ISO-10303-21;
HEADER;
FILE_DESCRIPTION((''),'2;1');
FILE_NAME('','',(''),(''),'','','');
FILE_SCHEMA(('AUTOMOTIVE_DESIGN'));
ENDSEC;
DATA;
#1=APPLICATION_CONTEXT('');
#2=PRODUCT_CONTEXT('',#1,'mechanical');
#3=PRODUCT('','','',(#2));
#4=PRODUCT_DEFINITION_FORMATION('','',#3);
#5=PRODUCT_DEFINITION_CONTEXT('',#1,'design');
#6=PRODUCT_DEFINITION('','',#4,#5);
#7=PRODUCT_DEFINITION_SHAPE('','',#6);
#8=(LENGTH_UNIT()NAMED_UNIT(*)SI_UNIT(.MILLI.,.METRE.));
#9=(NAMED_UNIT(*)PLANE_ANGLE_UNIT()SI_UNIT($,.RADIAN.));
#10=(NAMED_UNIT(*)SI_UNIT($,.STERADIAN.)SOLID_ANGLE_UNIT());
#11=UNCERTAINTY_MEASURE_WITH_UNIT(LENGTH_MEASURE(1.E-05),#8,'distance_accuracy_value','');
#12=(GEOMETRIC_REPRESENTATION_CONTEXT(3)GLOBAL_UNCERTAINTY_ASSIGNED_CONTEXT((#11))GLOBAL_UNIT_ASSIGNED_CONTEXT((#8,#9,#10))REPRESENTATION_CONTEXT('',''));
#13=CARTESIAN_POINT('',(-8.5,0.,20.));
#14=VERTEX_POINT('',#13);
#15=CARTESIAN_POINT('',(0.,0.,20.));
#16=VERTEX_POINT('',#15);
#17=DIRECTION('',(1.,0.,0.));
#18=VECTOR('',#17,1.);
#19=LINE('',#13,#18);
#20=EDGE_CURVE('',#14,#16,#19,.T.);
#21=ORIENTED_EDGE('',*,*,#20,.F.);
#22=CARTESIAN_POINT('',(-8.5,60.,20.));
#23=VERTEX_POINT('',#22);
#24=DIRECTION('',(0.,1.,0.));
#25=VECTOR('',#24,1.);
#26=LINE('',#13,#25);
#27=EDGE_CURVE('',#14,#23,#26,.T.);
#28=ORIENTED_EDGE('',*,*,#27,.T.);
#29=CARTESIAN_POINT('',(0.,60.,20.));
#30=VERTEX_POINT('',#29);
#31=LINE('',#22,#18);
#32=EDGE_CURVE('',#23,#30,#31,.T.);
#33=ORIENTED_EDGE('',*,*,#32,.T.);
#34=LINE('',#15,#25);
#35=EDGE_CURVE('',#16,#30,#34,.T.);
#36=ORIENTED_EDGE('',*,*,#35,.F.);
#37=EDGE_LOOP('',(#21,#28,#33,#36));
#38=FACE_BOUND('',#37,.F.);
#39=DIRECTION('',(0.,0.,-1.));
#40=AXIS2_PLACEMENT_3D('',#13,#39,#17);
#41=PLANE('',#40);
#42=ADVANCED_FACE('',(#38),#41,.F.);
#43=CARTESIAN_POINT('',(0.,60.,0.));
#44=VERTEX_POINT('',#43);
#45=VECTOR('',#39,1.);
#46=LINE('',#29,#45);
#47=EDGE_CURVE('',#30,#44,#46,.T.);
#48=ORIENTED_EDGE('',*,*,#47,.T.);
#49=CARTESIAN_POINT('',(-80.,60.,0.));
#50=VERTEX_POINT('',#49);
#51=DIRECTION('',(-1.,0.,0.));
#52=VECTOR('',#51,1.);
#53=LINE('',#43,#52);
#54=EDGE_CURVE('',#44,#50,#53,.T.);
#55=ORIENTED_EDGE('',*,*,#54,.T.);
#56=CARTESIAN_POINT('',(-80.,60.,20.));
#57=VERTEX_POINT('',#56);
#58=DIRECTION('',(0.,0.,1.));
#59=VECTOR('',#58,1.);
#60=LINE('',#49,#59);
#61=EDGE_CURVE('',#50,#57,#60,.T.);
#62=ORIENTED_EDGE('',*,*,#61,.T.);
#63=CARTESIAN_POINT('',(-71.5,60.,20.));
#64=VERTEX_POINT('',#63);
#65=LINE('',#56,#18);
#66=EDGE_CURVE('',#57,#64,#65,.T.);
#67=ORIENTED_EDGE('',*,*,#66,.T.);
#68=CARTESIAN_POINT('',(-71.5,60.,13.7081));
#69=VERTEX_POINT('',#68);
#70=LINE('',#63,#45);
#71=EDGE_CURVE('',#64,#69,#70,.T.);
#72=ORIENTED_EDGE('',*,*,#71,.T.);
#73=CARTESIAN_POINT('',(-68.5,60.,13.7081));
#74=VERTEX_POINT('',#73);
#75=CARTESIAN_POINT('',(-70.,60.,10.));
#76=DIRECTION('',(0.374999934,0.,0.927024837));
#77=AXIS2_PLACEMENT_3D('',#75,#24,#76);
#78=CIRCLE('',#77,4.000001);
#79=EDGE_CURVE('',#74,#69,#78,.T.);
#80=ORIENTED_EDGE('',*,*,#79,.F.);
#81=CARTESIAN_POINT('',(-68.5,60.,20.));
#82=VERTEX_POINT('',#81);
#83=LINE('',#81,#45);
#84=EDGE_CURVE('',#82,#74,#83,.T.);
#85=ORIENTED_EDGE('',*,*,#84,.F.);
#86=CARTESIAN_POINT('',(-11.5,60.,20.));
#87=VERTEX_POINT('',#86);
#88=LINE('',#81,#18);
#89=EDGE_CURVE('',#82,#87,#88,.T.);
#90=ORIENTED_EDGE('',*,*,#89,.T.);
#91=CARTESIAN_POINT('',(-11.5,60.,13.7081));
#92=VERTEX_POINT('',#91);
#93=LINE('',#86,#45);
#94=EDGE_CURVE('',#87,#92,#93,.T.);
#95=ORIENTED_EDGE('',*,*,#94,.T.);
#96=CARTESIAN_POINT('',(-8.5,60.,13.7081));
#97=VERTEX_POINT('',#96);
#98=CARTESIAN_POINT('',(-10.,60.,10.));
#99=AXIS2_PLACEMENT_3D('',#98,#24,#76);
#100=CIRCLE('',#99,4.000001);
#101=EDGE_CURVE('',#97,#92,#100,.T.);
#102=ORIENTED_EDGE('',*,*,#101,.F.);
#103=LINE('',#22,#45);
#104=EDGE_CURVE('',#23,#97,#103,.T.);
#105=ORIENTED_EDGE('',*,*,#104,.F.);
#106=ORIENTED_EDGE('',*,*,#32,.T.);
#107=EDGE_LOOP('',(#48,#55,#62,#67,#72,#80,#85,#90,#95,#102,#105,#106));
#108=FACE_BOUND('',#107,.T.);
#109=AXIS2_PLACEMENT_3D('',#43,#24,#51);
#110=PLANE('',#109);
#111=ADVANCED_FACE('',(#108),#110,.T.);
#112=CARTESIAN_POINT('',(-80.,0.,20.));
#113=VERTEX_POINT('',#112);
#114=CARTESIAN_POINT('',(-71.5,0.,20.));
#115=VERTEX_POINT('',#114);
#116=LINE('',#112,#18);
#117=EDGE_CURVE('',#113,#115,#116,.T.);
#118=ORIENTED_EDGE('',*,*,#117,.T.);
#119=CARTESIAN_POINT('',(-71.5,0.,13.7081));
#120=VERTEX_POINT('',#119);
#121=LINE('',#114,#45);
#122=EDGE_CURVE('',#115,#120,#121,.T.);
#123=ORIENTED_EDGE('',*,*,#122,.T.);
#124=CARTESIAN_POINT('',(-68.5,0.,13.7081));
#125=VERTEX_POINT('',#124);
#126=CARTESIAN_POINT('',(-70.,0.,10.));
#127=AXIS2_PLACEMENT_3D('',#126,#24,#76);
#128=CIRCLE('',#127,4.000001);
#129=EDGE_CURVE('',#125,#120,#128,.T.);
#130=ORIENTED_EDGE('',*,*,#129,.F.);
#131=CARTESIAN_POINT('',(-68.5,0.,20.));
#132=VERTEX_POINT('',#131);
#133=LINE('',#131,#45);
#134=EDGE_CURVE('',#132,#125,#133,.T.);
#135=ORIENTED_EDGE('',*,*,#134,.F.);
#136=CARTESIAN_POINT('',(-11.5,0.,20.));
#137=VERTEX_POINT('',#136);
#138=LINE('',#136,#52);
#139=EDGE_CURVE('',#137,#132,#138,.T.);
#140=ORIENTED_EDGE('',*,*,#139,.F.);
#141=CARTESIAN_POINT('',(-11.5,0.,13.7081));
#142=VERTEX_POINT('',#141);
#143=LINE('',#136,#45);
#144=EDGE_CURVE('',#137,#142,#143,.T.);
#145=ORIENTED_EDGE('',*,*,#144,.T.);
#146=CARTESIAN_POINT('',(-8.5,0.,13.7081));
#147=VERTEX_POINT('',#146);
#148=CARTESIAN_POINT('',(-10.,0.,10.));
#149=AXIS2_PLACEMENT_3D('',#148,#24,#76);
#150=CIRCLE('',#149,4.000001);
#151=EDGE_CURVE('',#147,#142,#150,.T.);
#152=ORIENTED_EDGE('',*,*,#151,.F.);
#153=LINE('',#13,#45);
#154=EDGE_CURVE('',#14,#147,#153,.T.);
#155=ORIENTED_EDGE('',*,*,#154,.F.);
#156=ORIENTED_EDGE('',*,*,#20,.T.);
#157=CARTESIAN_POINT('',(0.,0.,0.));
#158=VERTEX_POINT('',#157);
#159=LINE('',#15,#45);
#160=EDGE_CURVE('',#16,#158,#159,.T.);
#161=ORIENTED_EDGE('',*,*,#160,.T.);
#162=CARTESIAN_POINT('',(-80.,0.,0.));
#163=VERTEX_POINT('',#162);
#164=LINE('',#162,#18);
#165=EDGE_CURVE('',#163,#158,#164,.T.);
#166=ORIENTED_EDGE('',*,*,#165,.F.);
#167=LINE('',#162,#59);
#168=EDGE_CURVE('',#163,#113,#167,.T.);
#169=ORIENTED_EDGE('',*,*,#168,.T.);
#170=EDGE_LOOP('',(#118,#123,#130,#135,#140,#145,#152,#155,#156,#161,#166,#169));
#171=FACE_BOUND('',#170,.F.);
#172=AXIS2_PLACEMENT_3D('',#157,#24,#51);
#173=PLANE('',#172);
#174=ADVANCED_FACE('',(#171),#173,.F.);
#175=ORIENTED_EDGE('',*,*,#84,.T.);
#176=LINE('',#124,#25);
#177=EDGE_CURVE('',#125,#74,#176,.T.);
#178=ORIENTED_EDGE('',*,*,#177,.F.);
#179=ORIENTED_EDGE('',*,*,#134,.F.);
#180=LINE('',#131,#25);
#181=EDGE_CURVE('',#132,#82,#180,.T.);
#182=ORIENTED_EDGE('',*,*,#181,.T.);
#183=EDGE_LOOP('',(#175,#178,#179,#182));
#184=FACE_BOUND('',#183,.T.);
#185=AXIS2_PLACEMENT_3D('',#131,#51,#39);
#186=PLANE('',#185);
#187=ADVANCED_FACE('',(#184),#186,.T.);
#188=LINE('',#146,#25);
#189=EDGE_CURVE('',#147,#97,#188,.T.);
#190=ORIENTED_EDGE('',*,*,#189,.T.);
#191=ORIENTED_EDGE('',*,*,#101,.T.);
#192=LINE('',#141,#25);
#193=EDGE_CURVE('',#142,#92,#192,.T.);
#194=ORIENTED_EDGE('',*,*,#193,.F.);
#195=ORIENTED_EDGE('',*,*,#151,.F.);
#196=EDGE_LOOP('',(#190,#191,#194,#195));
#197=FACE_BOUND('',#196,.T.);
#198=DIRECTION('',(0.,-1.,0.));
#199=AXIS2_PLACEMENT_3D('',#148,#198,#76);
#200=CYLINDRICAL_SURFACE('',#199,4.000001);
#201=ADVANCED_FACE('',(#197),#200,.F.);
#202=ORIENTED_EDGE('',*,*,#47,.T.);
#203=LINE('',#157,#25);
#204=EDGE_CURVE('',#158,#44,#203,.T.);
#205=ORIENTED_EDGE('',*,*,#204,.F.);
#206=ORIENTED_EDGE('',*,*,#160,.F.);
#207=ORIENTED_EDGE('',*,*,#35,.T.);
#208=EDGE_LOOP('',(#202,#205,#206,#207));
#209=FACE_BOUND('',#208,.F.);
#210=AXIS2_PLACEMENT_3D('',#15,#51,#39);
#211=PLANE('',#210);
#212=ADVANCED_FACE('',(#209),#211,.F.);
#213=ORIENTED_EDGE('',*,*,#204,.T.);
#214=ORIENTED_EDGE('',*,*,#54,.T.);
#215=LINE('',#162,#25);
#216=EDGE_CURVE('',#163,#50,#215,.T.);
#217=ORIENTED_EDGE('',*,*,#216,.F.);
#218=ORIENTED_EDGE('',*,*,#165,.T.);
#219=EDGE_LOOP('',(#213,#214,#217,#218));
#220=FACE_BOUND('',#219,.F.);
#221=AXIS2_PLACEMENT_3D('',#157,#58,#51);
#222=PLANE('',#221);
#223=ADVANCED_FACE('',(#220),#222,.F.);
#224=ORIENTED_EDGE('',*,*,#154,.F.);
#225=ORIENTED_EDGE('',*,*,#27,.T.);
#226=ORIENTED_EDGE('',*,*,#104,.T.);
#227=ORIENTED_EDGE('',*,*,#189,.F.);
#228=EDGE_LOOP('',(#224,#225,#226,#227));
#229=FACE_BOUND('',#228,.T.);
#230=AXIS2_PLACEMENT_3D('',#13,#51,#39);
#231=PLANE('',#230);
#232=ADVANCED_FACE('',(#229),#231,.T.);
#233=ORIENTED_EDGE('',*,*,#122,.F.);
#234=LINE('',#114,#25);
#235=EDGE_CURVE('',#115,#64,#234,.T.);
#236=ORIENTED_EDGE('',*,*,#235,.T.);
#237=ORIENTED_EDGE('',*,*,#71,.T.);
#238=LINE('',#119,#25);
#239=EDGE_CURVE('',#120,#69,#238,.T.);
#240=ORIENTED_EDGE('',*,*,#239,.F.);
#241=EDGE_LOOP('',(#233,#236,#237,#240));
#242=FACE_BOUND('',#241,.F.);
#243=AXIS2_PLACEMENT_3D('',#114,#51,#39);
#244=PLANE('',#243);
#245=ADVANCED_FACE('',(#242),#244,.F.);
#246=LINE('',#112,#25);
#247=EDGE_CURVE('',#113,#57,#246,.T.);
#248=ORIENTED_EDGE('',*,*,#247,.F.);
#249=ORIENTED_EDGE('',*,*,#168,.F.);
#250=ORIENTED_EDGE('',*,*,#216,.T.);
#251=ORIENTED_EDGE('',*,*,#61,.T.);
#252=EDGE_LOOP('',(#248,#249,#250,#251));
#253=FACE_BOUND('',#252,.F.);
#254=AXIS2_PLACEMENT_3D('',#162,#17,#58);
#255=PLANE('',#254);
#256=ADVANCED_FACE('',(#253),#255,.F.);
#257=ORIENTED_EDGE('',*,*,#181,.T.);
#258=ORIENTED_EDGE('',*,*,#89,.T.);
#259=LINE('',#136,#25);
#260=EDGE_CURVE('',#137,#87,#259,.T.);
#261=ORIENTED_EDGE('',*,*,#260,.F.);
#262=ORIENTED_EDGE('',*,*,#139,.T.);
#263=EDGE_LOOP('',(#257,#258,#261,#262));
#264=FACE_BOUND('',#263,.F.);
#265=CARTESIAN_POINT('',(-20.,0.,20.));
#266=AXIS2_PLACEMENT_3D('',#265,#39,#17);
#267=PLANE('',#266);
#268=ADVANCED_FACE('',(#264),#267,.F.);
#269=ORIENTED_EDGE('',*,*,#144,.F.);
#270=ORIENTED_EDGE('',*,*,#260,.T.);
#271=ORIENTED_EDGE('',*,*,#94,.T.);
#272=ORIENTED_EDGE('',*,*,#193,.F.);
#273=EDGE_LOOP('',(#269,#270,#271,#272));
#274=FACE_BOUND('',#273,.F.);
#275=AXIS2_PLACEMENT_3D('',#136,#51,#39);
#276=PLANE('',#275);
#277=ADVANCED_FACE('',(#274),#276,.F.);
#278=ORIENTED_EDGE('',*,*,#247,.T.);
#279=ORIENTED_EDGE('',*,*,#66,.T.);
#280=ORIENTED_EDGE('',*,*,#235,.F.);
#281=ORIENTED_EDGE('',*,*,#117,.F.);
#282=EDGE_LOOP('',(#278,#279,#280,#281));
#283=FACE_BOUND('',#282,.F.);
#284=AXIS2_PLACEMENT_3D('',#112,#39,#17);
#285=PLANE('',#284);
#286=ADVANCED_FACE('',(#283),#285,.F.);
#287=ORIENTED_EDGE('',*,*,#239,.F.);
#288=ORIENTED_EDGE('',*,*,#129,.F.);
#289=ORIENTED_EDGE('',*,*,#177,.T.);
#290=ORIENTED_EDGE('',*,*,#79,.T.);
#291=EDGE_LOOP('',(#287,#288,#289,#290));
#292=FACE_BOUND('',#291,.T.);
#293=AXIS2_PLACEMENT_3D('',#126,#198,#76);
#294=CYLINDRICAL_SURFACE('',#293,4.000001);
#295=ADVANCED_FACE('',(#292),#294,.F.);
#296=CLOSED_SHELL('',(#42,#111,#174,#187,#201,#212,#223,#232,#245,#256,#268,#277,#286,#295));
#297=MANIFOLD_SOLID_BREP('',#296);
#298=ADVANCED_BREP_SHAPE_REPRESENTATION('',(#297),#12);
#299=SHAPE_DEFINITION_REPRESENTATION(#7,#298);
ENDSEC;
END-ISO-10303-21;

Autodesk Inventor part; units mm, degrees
ref_plane "YZ Plane" through (0, 0, 0) normal (1, 0, 0) x (0, 1, 0)
ref_plane "XZ Plane" through (0, 0, 0) normal (0, 1, 0) x (-1, 0, 0)
ref_plane "XY Plane" through (0, 0, 0) normal (0, 0, 1) x (1, 0, 0)
sketch "Sketch1" plane through (0, 0, 0) normal (0, 1, 0) x (-1, 0, 0)
  arc A0 (8.5, 13.7081) -> (11.5, 13.7081) centre (10, 10) ccw
  line L0 (8.5, 20) -> (8.5, 13.7081)
  line L1 (11.5, 20) -> (11.5, 13.7081)
  line L2 (10, 20) -> (10, 18.7339)
  line L3 (20, 20) -> (10, 20)
  line L4 (8.5, 20) -> (0, 20)
  line L5 (0, 20) -> (0, 0)
  line L6 (0, 0) -> (20, 0)
  line L7 (20, 0) -> (20, 20)
  arc A1 (68.5, 13.7081) -> (71.5, 13.7081) centre (70, 10) ccw
  line L8 (68.5, 20) -> (68.5, 13.7081)
  line L9 (71.5, 20) -> (71.5, 13.7081)
  line L10 (70, 20) -> (70, 18.3732)
  line L11 (80, 20) -> (70, 20)
  line L12 (68.5, 20) -> (60.9559, 20)
  line L13 (60.9559, 20) -> (60.9559, 0)
  line L14 (60.9559, 0) -> (80, 0)
  line L15 (80, 0) -> (80, 20)
  line L16 (60.9559, 0) -> (20, 0)
  line L17 (20, 0) -> (20, 20)
  line L18 (20, 20) -> (60.9559, 20)
  line L19 (60.9559, 20) -> (60.9559, 0)
  dimension "d2" = 8
  dimension "d7" = 1.5
  dimension "d8" = 1.5
  dimension "d16" = 10
  dimension "d17" = 8
  dimension "d18" = 1.5
  dimension "d19" = 1.5
  dimension "d20" = 10
  dimension "d22" = 80
  dimension "d23" = 10
  dimension "d24" = 0
  dimension "d25" = 60
  dimension "d26" = 20
  dimension "d27" = 20
  dimension "d28" = 20
  dimension "d29" = 20
  dimension "d30" = 10
  dimension "d31" = 10
  dimension "d32" = 20
extrude "Extrusion1" add sketch "Sketch1" along normal blind 60
equation "\"d2\" = RodDiameter"
equation "\"d17\" = d2"
equation "\"RodDiameter\" = 8"
equation "\"VerticalBearingOD\" = 16"
equation "\"PrintingClearance\" = 0.2"
equation "\"d21\" = 8"
properties part number "GantryHolder"
